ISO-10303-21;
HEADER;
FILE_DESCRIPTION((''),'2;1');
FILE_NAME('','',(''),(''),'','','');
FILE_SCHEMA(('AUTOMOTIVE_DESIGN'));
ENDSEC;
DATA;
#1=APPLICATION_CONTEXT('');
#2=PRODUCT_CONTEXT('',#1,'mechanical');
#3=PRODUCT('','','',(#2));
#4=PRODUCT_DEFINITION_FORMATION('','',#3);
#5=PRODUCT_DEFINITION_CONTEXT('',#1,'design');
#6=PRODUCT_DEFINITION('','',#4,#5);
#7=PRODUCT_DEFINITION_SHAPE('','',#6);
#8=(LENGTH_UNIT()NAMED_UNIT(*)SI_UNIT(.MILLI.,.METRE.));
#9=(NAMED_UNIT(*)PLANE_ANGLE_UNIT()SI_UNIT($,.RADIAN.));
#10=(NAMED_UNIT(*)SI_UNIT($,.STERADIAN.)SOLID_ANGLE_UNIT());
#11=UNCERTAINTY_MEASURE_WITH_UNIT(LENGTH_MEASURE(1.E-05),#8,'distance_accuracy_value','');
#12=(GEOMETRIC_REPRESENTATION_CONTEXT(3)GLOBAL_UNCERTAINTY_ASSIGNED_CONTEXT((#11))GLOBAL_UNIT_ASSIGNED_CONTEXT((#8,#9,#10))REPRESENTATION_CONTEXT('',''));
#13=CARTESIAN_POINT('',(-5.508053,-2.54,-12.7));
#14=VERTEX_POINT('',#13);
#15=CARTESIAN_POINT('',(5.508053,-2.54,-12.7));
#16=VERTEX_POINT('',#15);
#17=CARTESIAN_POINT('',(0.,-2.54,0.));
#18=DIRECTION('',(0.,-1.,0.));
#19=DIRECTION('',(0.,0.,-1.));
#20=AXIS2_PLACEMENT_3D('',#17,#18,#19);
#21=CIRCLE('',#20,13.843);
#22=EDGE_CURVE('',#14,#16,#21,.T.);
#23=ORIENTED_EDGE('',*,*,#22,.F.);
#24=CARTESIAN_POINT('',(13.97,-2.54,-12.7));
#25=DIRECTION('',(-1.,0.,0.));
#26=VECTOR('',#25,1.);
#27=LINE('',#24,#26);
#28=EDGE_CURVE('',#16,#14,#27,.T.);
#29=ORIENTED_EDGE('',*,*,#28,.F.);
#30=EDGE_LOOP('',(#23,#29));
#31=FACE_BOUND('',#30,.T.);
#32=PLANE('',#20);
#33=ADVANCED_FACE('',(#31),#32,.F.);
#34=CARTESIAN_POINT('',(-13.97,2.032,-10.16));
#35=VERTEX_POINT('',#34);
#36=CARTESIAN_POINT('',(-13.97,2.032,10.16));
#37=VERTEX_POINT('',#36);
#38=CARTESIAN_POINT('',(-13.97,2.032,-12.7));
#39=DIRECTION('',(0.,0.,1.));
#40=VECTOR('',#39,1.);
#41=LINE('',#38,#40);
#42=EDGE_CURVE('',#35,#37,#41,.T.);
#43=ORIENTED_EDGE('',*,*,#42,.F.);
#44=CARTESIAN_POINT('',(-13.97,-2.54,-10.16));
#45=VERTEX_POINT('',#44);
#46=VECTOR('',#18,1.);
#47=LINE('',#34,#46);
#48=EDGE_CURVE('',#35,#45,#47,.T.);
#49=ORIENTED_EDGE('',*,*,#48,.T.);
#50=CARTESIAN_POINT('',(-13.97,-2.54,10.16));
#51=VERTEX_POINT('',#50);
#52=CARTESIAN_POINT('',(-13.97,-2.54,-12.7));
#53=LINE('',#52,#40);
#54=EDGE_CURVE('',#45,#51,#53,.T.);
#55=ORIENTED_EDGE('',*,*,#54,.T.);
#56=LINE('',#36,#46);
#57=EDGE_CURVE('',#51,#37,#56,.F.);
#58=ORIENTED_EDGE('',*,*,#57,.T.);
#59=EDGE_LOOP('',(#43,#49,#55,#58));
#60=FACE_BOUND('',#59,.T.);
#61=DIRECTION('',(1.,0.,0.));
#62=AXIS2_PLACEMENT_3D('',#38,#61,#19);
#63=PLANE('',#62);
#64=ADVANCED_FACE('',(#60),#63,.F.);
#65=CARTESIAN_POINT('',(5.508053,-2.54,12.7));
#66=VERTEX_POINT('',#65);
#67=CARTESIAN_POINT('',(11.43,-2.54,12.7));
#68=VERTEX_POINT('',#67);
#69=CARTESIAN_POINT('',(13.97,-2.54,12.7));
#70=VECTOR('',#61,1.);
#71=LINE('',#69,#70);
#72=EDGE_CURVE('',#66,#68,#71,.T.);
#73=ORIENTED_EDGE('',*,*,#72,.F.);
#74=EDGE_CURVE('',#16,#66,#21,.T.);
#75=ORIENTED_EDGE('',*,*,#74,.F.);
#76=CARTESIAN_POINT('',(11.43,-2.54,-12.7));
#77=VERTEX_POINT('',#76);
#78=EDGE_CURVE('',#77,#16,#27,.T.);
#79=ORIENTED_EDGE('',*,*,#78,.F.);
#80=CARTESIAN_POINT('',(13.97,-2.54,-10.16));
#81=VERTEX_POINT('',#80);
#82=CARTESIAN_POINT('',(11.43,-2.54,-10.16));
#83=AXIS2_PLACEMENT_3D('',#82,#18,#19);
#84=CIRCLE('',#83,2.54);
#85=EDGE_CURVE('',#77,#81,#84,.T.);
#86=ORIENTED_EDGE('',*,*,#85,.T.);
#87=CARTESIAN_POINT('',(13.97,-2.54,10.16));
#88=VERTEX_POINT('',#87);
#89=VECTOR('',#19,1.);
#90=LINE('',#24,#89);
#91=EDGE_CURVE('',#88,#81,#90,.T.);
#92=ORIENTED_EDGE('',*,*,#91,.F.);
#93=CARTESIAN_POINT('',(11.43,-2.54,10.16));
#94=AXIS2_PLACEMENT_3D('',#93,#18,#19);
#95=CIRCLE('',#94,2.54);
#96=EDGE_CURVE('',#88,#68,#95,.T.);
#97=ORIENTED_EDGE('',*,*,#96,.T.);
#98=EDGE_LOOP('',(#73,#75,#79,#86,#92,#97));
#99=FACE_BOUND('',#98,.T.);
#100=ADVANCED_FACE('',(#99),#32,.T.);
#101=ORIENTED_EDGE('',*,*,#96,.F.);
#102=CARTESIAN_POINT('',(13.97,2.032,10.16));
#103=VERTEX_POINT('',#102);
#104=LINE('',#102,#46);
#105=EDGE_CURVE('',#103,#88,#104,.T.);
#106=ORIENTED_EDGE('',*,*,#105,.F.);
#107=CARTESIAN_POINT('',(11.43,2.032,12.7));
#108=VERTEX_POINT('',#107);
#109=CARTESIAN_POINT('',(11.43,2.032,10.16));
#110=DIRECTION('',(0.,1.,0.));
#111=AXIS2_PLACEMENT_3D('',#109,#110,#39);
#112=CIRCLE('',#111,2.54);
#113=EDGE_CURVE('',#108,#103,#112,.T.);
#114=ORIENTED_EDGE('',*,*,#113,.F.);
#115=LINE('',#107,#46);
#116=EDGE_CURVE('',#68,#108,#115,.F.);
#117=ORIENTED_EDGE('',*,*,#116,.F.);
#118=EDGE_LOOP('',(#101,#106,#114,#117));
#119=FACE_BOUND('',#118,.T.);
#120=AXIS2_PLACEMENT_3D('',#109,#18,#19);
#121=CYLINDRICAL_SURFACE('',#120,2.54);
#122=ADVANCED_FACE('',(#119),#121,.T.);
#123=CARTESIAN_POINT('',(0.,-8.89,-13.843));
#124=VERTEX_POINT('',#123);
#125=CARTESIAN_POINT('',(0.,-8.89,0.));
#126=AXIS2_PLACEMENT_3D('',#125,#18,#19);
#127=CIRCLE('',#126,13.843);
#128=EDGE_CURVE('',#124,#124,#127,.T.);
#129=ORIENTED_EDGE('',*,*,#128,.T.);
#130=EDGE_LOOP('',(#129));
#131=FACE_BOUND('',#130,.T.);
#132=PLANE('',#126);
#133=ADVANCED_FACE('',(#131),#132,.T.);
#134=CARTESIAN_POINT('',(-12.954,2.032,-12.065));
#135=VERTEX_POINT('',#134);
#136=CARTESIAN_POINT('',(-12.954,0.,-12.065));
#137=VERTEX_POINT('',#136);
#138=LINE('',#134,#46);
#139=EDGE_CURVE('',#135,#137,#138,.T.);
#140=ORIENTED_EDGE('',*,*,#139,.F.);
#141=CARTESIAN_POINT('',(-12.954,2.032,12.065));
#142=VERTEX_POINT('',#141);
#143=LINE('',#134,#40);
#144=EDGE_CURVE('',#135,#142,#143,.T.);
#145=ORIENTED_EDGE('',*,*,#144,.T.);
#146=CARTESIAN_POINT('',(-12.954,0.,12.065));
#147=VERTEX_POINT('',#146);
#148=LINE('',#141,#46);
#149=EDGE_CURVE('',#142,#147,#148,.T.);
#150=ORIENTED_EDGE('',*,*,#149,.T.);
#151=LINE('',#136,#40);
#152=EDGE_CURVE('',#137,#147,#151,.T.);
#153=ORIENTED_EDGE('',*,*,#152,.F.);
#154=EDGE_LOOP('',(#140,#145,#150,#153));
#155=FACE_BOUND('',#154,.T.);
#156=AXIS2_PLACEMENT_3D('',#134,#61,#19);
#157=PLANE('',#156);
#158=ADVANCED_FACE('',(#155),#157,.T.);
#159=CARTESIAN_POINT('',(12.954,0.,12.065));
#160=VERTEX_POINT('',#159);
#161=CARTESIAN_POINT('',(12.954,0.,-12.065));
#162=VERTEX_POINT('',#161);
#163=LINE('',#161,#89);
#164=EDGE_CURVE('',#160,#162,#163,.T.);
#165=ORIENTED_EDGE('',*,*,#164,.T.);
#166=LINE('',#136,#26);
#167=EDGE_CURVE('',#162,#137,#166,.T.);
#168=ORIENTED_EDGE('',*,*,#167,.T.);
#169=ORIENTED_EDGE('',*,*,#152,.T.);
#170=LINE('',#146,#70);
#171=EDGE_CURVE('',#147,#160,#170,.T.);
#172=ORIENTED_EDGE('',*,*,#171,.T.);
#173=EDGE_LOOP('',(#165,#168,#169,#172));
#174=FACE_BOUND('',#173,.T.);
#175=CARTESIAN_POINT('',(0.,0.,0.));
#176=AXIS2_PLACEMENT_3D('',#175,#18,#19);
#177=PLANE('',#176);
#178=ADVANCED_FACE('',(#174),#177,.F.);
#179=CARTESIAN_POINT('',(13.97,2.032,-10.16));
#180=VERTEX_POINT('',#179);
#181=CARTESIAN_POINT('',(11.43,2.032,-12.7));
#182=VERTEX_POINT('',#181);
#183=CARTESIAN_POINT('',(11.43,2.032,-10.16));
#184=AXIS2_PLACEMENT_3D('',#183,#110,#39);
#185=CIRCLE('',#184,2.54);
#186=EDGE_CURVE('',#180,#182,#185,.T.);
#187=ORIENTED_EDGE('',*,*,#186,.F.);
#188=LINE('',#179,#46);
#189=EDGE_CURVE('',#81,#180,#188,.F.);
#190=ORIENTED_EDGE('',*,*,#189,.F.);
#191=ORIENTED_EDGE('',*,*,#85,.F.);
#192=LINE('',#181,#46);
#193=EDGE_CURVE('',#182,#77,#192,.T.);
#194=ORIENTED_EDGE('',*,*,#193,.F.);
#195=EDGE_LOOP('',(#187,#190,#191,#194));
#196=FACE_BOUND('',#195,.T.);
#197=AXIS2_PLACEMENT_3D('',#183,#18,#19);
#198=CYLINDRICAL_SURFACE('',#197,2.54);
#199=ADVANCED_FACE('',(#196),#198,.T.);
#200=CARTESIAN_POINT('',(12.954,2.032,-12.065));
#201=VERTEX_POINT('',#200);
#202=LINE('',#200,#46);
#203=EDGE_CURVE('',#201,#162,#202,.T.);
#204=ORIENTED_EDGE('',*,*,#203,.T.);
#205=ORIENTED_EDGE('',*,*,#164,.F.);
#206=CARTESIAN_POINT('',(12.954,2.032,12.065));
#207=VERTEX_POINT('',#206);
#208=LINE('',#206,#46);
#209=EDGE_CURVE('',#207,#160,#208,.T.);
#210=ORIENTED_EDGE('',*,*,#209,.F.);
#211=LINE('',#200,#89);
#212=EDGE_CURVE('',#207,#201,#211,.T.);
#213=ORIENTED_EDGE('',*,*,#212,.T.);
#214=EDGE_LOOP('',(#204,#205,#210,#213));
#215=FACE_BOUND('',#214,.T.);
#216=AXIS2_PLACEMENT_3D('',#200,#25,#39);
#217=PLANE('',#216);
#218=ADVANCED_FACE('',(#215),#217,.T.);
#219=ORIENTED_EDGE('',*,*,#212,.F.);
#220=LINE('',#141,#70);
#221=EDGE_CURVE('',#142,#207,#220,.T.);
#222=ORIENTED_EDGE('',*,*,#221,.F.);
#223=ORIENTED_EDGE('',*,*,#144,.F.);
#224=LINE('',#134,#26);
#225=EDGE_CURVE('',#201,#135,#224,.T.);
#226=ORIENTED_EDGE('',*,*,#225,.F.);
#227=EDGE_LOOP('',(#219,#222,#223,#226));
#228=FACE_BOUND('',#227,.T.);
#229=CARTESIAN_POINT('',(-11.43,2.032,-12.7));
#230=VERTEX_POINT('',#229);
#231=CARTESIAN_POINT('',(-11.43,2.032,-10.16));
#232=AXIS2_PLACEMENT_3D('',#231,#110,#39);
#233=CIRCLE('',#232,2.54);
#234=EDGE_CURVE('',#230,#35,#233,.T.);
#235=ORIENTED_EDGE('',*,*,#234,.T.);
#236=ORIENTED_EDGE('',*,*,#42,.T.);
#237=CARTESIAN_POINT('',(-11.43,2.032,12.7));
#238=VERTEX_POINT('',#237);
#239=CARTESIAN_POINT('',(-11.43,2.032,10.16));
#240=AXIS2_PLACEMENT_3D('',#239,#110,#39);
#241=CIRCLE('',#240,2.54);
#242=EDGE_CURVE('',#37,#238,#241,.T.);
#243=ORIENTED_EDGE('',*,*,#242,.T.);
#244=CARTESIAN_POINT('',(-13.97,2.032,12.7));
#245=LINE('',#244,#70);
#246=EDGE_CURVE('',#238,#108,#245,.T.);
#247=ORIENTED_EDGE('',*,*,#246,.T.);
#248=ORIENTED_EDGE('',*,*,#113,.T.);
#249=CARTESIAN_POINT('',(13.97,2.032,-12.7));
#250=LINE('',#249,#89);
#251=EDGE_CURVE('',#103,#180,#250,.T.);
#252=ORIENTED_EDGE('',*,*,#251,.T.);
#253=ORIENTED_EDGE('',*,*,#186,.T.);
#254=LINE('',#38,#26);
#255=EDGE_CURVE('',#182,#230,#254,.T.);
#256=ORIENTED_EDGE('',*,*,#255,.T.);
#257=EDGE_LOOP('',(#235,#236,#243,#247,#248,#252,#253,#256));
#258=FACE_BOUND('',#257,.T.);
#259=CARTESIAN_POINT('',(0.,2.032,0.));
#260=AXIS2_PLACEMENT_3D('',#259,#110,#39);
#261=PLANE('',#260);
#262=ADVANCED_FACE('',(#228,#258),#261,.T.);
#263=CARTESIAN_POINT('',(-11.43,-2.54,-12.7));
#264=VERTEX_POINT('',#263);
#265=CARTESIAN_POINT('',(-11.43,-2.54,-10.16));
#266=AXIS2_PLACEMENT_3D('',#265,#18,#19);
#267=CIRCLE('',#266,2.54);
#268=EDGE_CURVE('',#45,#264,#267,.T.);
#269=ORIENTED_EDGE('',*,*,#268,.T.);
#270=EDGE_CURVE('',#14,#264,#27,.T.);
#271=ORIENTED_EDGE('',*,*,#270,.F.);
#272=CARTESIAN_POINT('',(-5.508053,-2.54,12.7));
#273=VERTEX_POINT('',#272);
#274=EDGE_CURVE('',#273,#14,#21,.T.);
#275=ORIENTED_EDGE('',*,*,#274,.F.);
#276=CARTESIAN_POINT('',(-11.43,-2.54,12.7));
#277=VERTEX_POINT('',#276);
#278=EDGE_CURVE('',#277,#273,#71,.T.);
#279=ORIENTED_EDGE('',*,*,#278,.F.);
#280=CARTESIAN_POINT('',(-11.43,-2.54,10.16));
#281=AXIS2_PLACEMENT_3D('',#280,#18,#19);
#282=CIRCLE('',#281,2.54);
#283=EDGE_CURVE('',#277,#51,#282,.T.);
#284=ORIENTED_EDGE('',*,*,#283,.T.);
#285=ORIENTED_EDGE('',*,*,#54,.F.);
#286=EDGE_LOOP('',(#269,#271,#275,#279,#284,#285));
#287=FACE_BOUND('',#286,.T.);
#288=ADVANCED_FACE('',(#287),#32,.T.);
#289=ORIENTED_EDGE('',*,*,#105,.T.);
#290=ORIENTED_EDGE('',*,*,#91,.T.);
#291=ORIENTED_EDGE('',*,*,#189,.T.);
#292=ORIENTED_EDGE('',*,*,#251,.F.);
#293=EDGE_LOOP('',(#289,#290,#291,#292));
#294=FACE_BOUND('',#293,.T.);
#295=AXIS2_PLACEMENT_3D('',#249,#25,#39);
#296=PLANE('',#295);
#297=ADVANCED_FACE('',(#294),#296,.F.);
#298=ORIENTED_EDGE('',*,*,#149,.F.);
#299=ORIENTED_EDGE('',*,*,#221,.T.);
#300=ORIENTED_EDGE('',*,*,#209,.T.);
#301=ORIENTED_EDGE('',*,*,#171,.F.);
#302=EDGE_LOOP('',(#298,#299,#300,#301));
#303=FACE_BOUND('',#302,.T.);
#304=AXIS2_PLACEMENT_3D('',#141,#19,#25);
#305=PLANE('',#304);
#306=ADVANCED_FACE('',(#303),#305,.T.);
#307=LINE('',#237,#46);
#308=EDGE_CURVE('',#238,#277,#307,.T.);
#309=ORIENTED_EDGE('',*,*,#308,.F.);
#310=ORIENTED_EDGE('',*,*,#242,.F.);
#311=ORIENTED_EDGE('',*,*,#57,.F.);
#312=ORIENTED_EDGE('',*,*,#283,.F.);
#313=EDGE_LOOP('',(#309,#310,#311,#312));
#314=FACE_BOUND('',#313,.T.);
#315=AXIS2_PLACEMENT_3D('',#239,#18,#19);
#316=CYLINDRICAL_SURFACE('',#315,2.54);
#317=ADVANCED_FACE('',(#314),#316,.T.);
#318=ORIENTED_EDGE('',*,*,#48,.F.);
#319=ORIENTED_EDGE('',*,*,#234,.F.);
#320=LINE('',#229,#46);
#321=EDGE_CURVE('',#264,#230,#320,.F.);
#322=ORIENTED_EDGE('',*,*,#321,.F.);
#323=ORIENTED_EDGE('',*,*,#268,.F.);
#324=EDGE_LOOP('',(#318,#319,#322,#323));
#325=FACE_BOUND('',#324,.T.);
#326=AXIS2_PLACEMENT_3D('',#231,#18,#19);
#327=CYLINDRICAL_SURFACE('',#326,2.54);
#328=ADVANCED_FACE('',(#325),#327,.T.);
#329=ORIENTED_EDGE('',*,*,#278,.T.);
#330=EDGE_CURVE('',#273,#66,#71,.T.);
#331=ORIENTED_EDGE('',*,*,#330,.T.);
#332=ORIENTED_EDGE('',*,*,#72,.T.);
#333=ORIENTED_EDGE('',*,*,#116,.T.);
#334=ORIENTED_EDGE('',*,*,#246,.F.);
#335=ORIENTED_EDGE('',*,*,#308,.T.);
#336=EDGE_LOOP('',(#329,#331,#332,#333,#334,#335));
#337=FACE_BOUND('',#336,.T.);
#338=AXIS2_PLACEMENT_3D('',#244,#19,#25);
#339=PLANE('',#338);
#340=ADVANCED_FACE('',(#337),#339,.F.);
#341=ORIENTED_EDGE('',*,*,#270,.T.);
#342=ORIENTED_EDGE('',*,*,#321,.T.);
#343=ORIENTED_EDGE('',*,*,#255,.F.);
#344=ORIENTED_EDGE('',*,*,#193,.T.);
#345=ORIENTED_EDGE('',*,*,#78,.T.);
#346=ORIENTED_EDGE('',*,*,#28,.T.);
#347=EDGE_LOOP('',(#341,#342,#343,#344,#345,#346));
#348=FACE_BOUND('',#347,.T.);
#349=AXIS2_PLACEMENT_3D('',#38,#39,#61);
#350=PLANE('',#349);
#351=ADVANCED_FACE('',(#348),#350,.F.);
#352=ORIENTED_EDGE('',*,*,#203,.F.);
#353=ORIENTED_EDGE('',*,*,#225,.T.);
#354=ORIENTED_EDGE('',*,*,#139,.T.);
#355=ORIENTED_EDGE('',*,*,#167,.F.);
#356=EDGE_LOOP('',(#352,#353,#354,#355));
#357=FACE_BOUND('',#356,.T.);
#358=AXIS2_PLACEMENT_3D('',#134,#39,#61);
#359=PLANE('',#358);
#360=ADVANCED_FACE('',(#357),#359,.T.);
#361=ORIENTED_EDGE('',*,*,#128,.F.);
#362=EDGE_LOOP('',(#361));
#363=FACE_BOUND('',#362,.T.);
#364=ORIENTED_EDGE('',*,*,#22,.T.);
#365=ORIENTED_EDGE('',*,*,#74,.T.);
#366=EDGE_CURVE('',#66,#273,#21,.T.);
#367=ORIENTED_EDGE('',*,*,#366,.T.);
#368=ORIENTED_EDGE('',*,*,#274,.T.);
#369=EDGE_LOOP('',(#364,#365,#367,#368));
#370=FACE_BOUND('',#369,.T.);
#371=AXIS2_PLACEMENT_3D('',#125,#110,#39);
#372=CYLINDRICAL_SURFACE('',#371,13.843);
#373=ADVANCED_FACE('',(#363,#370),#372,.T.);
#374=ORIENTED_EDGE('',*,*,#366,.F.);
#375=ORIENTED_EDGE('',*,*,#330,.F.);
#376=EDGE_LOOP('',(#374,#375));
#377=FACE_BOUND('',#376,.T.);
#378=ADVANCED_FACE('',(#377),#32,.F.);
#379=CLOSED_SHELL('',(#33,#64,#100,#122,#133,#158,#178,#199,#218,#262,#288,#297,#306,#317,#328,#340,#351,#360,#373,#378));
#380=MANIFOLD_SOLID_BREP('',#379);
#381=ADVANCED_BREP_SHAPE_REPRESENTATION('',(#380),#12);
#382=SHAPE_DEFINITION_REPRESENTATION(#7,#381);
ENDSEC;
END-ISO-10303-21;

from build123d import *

# Parameters (mm, degrees)
SKETCH1_W           = 27.94
SKETCH1_H           = 25.4
SKETCH1_W_2         = 25.908
SKETCH1_H_2         = 24.13
BOSS_EXTRUDE1_DEPTH = 2.032
SKETCH2_W           = 27.94
SKETCH2_H           = 25.4
BOSS_EXTRUDE2_DEPTH = 2.54
SKETCH3_R           = 13.843
BOSS_EXTRUDE3_DEPTH = 6.35
FILLET1_R           = 2.54


with BuildPart() as part:
    # Sketch1 → Boss-Extrude1 (new body)
    with BuildSketch(Plane(origin=(0, 0, 0), x_dir=(1, 0, 0), z_dir=(0, 1, 0))):
        Rectangle(SKETCH1_W, SKETCH1_H)
        Rectangle(SKETCH1_W_2, SKETCH1_H_2, mode=Mode.SUBTRACT)
    extrude(amount=BOSS_EXTRUDE1_DEPTH)

    # Sketch2 → Boss-Extrude2 (add)
    with BuildSketch(Plane(origin=(0, 0, 0), x_dir=(1, 0, 0), z_dir=(0, 1, 0))):
        Rectangle(SKETCH2_W, SKETCH2_H)
    extrude(amount=-BOSS_EXTRUDE2_DEPTH)

    # Sketch3 → Boss-Extrude3 (add)
    with BuildSketch(Plane.XZ.offset(2.54)):
        Circle(SKETCH3_R)
    extrude(amount=BOSS_EXTRUDE3_DEPTH)

    # Fillet1
    fillet1_edges = [part.edges().sort_by_distance(p)[0] for p in [
        (13.97, -0.254, 12.7),
        (-13.97, -0.254, 12.7),
        (-13.97, -0.254, -12.7),
        (13.97, -0.254, -12.7),
    ]]
    fillet(fillet1_edges, radius=FILLET1_R)


solid = part.part
